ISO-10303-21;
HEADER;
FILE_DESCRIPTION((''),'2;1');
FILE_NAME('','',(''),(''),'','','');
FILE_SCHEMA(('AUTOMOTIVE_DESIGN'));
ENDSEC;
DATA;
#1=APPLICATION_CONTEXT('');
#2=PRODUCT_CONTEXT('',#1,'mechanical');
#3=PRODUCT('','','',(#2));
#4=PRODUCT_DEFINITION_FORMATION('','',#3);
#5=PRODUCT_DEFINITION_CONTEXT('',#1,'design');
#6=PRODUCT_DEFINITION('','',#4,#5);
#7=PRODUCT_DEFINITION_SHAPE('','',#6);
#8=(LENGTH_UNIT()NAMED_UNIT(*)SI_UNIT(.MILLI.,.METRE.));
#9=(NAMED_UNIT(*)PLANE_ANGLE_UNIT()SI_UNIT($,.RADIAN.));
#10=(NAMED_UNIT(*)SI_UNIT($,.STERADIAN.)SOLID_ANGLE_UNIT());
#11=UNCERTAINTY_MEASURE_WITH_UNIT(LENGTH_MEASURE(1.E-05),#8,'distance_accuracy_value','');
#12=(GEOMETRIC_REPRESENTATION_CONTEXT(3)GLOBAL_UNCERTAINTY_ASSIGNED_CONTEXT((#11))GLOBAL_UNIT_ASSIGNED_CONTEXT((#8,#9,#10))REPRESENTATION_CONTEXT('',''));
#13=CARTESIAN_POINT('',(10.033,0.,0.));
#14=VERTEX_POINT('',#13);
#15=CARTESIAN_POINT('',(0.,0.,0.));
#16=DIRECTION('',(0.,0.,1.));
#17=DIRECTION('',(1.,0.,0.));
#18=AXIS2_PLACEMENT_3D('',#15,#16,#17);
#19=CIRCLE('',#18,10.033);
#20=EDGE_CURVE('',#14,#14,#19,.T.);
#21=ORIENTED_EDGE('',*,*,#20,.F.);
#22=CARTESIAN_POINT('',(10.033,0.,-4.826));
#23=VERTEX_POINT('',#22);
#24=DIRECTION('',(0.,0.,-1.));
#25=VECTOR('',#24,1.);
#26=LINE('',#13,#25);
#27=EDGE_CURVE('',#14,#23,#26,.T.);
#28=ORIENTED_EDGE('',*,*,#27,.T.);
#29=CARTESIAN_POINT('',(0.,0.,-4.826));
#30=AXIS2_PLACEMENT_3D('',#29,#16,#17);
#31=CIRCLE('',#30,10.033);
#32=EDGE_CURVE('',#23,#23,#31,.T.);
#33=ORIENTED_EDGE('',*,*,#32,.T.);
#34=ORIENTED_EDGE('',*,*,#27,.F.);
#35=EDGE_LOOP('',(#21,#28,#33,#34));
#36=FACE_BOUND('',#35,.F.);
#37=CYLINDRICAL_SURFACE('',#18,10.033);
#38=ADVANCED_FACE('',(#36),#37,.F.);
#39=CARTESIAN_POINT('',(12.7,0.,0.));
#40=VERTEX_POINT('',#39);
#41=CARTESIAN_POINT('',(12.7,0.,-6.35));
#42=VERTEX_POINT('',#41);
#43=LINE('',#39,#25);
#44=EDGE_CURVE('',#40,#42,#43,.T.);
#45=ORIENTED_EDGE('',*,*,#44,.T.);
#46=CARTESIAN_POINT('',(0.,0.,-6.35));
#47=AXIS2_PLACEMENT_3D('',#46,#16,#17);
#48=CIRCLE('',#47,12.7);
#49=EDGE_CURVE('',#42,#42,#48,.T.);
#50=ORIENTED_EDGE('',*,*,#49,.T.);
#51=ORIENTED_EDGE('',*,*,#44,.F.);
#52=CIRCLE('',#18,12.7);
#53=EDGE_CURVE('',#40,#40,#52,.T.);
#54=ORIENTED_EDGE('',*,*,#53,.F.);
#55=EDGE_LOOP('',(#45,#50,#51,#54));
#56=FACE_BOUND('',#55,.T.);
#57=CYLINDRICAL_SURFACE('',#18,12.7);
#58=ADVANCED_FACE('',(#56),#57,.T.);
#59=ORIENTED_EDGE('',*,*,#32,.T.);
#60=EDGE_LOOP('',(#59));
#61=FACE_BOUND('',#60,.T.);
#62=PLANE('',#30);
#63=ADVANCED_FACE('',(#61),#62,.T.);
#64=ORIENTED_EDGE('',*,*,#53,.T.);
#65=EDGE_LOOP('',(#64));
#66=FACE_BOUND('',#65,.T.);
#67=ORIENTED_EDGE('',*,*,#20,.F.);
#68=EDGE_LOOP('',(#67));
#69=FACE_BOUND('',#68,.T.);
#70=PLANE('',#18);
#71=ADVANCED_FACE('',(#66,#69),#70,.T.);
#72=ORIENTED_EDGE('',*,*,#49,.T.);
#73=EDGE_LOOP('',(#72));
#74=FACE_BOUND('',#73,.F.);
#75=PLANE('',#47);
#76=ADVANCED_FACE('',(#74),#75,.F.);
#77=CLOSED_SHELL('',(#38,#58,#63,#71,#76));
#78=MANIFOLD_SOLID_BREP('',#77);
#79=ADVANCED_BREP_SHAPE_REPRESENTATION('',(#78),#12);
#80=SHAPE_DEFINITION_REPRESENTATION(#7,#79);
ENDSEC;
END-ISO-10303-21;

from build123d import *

# Parameters (mm, degrees)
F0_R     = 12.7
F1_DEPTH = 6.35
F2_R     = 10.033
F3_DEPTH = 4.826


with BuildPart() as f1:
    # F0 (on Top) → F1 (new body)
    with BuildSketch(Plane.XY):
        Circle(F0_R)
    extrude(amount=-F1_DEPTH)

    # F2 (on face) → F3 (cut)
    with BuildSketch(Plane.XY):
        Circle(F2_R)
    extrude(amount=-F3_DEPTH, mode=Mode.SUBTRACT)


solid = f1.part
